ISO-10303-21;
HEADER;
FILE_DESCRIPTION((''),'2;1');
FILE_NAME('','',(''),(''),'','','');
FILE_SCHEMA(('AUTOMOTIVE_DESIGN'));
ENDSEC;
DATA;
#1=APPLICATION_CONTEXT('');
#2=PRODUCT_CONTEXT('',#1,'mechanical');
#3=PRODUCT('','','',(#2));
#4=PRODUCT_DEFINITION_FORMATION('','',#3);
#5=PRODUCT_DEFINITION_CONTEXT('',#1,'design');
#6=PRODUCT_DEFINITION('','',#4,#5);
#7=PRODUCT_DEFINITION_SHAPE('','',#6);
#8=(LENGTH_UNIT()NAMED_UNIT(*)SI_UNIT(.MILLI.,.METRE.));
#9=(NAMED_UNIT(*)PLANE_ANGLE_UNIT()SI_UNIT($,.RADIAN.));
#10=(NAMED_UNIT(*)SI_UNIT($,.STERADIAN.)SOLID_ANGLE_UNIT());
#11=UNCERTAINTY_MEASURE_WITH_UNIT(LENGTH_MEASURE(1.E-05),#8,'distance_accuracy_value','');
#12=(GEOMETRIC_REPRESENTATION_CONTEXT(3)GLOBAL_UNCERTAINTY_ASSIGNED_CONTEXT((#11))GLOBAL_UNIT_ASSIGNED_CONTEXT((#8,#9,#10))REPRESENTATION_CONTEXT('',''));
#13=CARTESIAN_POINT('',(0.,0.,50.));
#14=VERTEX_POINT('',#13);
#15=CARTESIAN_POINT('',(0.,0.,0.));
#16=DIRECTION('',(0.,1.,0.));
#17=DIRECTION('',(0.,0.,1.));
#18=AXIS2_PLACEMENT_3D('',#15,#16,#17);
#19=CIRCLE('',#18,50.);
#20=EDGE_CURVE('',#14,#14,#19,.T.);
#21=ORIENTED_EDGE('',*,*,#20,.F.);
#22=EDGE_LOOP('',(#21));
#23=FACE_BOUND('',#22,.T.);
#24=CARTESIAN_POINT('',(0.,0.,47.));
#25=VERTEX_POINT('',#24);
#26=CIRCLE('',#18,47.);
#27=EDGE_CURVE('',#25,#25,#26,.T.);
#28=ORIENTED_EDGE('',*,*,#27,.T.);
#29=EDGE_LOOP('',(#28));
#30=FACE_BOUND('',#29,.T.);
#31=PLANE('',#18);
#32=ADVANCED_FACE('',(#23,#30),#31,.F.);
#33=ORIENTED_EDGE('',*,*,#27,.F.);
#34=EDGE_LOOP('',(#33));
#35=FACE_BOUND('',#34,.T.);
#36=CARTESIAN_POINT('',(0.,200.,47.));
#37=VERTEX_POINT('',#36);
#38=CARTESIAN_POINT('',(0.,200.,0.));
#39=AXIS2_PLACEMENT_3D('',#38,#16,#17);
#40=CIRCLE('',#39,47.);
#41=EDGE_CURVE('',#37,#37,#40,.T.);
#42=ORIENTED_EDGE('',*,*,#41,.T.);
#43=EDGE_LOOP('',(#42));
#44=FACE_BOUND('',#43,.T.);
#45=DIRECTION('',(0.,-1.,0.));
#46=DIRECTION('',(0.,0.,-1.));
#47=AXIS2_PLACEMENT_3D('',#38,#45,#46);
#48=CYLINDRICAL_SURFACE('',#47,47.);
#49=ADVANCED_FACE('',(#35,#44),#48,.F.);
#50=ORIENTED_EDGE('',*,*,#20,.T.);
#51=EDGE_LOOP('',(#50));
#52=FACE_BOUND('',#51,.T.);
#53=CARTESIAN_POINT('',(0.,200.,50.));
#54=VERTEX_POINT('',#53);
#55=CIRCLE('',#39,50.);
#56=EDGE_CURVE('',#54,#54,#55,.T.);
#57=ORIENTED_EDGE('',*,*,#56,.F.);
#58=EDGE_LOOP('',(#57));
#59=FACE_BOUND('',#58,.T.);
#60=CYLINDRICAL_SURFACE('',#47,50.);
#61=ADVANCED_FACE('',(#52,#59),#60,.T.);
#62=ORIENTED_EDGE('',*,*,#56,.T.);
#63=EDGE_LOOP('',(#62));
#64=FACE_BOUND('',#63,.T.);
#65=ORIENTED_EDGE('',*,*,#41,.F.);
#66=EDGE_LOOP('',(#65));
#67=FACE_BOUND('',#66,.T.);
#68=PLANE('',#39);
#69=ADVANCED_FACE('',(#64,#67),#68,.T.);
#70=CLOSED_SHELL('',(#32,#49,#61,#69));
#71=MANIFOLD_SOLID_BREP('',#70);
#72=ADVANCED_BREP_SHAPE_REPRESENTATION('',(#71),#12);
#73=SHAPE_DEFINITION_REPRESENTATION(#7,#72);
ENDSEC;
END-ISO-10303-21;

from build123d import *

# Parameters (mm, degrees)
SKETCH1_R           = 50
BOSS_EXTRUDE1_DEPTH = 200
SHELL2_T            = -3


with BuildPart() as part:
    # Sketch1 → Boss-Extrude1 (new body)
    with BuildSketch(Plane(origin=(0, 0, 0), x_dir=(1, 0, 0), z_dir=(0, 1, 0))):
        with Locations(Location((0, 0, 0), (0, 0, 270))):
            Circle(SKETCH1_R)
    extrude(amount=BOSS_EXTRUDE1_DEPTH)

    # Shell2
    shell2_openings = [part.faces().sort_by_distance(p)[0] for p in [
        (0, 200, 0),
        (0, 0, 0),
    ]]
    offset(amount=SHELL2_T, openings=shell2_openings, kind=Kind.INTERSECTION)


solid = part.part
